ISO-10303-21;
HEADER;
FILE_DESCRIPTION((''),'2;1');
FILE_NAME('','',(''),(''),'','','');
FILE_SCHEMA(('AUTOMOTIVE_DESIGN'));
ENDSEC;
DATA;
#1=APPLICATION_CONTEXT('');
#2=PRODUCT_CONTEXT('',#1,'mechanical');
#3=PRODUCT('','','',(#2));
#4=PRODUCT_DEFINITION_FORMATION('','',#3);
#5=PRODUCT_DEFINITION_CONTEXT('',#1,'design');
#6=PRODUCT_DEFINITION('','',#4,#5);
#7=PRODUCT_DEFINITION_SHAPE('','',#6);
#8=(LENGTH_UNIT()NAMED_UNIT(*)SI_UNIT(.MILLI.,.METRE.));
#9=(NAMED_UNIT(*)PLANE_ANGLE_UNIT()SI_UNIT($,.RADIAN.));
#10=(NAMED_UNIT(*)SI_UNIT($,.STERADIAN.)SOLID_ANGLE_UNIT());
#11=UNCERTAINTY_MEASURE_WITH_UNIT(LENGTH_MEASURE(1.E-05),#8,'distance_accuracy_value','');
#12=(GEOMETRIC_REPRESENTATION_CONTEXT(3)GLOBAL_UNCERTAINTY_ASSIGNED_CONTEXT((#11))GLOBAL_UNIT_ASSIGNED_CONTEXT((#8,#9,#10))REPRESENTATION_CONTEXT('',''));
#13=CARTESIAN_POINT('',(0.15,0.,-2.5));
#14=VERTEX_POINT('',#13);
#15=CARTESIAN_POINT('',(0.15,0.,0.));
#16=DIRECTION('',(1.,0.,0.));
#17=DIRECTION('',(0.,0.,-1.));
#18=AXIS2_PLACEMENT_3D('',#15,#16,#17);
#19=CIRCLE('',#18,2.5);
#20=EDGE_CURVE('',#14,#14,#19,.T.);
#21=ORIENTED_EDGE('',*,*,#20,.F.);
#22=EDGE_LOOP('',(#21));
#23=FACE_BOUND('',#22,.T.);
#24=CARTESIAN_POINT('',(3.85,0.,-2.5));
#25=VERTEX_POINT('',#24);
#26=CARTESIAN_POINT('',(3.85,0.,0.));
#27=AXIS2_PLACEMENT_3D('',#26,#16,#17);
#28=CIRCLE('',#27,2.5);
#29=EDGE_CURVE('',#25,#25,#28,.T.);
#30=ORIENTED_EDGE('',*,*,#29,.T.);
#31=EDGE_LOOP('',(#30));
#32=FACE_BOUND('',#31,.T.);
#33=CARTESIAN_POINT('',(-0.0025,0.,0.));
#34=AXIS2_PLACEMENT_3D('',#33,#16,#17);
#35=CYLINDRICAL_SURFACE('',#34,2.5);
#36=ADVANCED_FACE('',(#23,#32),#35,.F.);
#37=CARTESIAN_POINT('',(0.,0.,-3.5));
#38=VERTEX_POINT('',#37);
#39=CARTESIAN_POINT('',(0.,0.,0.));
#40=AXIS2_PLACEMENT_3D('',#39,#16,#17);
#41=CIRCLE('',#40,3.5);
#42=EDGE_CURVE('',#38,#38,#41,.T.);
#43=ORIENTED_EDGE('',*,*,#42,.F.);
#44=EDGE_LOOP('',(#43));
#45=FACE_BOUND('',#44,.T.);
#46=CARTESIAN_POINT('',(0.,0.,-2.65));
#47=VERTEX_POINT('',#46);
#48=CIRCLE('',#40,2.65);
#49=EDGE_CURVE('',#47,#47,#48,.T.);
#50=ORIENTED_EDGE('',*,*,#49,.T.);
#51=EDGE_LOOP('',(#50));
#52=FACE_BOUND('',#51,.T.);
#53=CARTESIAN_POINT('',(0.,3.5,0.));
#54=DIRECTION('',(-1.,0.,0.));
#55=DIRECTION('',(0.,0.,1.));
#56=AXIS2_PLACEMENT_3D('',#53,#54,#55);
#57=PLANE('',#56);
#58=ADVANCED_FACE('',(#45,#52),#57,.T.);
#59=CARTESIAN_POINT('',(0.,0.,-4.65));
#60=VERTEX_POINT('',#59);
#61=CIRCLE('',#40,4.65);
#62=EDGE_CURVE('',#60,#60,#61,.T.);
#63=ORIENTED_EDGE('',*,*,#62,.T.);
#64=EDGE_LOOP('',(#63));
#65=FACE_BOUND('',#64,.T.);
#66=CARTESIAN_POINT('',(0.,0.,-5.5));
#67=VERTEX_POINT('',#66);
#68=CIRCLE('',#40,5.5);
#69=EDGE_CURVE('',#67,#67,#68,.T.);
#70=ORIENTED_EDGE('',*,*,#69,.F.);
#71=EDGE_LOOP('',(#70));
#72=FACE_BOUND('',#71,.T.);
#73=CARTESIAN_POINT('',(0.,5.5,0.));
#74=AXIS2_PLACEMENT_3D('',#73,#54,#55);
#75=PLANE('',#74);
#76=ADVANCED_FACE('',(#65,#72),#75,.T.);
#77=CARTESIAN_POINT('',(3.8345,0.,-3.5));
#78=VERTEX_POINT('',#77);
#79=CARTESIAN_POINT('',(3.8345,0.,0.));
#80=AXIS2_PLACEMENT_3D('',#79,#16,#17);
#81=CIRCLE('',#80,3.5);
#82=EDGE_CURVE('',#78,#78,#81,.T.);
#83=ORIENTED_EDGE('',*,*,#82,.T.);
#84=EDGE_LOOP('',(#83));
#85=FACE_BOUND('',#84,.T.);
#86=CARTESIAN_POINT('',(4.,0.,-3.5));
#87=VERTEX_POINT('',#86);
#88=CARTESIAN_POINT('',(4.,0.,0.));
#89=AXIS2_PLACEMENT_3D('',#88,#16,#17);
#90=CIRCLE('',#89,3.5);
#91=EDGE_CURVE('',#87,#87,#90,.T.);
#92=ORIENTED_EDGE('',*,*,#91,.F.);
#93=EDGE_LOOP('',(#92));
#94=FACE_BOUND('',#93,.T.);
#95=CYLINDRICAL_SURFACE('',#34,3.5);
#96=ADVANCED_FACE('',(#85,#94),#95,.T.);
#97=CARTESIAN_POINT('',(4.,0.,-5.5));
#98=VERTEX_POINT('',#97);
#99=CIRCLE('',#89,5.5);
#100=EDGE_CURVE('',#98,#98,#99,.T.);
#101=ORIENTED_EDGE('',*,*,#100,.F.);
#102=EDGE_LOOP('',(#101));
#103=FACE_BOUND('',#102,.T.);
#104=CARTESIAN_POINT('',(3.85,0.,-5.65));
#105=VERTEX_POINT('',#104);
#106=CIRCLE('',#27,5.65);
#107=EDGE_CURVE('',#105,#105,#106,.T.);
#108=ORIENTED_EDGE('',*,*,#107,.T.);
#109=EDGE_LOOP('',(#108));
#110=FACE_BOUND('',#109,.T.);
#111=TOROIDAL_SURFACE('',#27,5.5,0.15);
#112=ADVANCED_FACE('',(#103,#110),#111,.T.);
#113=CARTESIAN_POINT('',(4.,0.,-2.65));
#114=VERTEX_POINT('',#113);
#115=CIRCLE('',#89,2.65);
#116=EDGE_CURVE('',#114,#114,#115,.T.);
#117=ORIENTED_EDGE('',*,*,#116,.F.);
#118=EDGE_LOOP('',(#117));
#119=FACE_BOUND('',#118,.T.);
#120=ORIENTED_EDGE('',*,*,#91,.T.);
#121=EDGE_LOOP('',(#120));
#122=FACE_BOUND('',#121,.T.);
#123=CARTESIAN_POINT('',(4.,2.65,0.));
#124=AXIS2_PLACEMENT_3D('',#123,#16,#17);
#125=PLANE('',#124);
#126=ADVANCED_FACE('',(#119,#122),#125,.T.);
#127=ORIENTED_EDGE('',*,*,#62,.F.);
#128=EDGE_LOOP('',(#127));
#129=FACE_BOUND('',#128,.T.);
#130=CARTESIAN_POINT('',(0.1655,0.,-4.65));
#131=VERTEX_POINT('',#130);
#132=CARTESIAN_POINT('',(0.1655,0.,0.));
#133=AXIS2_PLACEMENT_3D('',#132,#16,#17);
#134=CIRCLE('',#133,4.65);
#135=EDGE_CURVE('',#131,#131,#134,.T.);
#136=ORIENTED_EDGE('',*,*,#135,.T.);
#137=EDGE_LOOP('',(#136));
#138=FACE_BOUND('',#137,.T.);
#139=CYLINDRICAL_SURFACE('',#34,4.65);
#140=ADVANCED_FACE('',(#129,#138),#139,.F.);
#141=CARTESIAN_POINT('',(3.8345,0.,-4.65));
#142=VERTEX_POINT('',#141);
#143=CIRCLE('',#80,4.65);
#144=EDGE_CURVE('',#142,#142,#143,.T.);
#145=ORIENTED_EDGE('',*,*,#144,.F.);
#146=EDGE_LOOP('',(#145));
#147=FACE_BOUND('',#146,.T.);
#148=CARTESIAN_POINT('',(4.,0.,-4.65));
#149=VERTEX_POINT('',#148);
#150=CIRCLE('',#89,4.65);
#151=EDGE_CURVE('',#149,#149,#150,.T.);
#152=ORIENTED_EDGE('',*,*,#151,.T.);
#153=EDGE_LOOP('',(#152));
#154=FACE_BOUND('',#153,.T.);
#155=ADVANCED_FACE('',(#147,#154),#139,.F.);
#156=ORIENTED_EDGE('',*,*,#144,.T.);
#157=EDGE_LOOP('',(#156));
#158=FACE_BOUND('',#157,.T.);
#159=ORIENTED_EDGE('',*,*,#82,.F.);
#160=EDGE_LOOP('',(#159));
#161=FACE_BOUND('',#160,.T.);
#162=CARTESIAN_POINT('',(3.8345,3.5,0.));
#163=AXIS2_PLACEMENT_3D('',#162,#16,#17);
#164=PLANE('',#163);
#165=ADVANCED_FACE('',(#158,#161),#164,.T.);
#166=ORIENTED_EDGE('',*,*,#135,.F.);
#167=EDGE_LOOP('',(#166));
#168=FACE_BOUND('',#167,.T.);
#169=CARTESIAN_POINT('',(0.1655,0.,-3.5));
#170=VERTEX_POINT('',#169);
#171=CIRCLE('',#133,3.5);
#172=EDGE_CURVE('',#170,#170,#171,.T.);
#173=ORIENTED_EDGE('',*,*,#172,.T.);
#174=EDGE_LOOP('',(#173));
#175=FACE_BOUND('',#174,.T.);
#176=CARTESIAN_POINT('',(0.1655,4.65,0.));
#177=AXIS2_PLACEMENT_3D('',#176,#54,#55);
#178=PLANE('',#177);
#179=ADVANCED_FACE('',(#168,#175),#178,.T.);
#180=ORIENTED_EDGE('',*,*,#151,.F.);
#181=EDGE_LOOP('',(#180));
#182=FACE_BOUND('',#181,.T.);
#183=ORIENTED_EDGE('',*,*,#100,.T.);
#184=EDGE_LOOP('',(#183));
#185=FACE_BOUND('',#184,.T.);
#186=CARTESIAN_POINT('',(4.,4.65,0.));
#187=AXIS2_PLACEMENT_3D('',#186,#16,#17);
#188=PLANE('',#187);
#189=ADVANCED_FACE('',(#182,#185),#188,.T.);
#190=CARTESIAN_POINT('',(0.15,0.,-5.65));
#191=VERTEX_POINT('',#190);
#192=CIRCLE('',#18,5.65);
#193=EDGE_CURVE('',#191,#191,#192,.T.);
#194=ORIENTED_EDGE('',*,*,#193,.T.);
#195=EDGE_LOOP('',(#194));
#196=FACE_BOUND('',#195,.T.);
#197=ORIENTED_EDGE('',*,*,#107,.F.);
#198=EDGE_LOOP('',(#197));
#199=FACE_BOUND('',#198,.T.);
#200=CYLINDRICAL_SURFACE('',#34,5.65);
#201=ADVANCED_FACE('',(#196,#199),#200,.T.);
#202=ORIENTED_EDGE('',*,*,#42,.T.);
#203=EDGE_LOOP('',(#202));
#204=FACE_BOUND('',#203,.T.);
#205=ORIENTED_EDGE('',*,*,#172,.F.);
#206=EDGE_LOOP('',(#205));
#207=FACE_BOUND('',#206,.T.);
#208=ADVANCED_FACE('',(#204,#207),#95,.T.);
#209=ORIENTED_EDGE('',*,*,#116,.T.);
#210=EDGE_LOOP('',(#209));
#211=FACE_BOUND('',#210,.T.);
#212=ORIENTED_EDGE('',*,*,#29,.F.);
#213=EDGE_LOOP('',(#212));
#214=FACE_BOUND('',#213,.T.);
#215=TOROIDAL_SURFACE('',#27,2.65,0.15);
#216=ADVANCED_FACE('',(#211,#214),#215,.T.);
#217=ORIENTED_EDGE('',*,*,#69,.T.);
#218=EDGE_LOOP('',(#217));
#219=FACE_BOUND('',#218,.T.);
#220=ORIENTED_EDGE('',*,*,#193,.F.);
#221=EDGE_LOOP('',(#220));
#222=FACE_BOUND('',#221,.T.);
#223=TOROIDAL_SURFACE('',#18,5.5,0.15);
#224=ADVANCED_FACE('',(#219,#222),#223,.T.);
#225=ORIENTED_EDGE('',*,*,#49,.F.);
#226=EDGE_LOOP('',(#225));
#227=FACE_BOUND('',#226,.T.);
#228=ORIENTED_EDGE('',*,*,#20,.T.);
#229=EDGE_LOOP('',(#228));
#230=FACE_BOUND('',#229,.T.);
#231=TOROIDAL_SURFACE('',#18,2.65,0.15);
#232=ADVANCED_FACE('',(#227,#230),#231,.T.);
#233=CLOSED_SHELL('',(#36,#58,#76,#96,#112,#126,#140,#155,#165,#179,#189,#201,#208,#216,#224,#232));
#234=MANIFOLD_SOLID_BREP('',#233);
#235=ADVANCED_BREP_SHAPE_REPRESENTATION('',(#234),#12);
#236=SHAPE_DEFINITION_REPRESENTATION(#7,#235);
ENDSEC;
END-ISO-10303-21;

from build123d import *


with BuildPart() as part:
    # Sketch1 → Revolve1 (revolve)
    with BuildSketch(Plane.XY):
        with BuildLine():
            Line((0, 3.5), (0, 2.65))
            ThreePointArc((0, 2.65), (0.043933983, 2.543933983), (0.15, 2.5))
            Line((0.15, 2.5), (3.85, 2.5))
            ThreePointArc((3.85, 2.5), (3.956066017, 2.543933983), (4, 2.65))
            Line((4, 2.65), (4, 3.5))
            Line((4, 3.5), (3.8345, 3.5))
            Line((3.8345, 3.5), (3.8345, 4.65))
            Line((3.8345, 4.65), (4, 4.65))
            Line((4, 4.65), (4, 5.5))
            ThreePointArc((4, 5.5), (3.956066017, 5.606066017), (3.85, 5.65))
            Line((3.85, 5.65), (0.15, 5.65))
            ThreePointArc((0.15, 5.65), (0.043933983, 5.606066017), (0, 5.5))
            Line((0, 5.5), (0, 4.65))
            Line((0, 4.65), (0.1655, 4.65))
            Line((0.1655, 4.65), (0.1655, 3.5))
            Line((0.1655, 3.5), (0, 3.5))
        make_face()
    revolve(axis=Axis((-0.0025, 0, 0), (1, 0, 0)))


solid = part.part
